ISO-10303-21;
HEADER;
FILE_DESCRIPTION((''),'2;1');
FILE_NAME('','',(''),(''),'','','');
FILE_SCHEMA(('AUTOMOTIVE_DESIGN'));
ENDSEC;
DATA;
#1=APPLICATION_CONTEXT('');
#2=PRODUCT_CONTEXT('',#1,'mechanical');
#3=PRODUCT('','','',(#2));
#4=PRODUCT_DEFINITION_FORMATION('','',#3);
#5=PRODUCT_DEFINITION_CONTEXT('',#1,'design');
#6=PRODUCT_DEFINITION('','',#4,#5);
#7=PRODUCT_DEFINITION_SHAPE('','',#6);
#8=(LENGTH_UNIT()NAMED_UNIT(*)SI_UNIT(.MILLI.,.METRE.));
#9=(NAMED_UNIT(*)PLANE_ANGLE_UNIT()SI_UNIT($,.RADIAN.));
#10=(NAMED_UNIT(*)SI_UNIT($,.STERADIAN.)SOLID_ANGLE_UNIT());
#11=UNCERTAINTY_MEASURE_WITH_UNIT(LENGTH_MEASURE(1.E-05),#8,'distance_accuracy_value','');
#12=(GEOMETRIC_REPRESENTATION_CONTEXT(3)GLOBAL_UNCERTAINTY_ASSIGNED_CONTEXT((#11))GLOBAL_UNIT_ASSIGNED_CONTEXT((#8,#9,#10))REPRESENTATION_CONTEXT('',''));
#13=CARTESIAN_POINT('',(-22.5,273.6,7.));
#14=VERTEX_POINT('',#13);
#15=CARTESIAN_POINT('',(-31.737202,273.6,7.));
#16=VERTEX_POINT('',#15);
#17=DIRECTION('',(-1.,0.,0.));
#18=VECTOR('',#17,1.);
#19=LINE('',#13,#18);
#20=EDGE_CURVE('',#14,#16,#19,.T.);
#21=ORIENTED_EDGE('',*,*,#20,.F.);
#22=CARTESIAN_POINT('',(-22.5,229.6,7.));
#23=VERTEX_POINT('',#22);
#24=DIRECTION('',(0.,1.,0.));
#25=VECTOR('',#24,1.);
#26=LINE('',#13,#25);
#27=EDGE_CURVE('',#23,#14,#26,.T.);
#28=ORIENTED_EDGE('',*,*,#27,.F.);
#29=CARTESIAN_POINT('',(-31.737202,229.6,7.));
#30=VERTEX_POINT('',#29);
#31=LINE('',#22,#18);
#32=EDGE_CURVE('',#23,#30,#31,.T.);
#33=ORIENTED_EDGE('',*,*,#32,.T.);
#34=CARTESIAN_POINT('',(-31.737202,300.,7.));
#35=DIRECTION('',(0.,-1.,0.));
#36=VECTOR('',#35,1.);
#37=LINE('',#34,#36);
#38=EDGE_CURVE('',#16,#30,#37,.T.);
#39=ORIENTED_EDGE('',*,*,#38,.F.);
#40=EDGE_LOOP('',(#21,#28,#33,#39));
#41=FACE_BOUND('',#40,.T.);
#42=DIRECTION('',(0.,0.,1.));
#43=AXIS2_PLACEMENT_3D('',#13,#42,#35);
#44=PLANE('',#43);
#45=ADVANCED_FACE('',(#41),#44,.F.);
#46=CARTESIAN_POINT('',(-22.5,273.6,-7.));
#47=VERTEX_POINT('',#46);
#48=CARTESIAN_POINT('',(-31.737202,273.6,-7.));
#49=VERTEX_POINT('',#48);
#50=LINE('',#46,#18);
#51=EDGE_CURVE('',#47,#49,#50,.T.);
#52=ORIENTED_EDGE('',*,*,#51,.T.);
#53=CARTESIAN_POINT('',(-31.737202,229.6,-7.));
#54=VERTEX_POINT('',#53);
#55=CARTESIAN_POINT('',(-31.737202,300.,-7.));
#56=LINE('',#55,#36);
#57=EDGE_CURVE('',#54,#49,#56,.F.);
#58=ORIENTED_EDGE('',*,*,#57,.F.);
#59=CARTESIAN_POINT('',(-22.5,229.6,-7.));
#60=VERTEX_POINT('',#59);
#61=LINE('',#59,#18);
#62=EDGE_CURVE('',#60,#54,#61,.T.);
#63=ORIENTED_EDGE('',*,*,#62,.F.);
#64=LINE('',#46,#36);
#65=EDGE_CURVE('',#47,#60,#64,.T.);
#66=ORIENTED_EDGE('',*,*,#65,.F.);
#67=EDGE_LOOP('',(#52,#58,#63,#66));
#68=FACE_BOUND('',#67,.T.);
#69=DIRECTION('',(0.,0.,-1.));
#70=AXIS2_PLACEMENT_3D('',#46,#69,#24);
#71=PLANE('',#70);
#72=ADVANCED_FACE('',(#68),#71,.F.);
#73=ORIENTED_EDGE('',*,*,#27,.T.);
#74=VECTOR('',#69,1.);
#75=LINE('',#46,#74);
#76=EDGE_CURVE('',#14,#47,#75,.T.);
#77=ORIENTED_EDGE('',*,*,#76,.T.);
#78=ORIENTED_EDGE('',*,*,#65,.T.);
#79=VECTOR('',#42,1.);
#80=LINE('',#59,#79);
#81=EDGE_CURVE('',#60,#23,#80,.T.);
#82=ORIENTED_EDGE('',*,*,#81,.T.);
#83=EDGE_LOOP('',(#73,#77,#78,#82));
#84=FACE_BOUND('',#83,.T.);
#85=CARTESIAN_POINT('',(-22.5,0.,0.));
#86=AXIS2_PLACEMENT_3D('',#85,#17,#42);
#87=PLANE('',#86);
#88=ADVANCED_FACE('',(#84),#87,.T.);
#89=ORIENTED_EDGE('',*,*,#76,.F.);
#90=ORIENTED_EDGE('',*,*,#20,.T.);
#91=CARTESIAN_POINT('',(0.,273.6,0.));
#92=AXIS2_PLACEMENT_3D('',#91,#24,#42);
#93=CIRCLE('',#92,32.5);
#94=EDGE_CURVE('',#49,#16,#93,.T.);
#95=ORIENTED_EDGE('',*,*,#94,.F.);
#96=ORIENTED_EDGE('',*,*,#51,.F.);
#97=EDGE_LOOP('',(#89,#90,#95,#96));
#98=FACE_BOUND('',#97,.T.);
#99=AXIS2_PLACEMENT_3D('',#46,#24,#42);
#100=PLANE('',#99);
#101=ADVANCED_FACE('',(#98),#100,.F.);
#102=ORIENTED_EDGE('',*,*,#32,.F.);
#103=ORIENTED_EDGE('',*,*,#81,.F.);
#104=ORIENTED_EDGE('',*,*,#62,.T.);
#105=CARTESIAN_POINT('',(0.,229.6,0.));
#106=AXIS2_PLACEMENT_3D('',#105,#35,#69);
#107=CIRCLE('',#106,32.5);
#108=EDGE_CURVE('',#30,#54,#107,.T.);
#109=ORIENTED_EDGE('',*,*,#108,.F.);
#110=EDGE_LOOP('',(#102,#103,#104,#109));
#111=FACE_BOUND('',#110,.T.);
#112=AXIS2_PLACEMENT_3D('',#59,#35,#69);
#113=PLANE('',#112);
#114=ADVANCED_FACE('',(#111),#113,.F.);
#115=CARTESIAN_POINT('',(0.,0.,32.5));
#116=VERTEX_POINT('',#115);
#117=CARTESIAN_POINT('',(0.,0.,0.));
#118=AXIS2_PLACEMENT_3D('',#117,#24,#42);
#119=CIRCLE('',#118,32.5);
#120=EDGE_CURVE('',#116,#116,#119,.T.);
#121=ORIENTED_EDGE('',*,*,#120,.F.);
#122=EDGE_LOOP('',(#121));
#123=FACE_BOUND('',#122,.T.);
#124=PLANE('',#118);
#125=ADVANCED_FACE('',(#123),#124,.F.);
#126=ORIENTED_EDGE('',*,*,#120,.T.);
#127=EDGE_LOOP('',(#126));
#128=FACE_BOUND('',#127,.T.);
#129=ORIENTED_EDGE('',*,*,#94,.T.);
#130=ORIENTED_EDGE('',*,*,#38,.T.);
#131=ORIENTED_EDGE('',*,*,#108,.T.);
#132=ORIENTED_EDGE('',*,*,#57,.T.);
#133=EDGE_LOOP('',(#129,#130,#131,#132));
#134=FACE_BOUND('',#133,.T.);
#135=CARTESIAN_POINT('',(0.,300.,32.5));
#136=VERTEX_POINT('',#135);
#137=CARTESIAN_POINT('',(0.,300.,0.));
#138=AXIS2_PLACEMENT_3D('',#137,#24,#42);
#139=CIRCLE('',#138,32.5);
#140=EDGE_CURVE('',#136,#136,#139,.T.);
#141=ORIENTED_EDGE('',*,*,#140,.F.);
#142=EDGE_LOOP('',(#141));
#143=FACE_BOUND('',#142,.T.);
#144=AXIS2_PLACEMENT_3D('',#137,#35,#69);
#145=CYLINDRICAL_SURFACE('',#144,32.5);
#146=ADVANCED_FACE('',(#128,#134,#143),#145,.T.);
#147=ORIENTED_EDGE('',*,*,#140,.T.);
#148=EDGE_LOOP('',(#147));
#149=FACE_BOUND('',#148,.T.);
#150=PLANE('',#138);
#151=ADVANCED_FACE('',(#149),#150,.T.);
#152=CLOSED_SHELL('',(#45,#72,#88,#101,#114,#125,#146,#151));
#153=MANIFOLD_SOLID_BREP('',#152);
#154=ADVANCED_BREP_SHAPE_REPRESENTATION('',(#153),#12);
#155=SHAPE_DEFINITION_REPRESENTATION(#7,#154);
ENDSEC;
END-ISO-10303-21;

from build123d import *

# Parameters (mm, degrees)
SKETCH1_R           = 32.5
BOSS_EXTRUDE1_DEPTH = 300
SKETCH2_W           = 14
SKETCH2_H           = 44
CUT_EXTRUDE1_DEPTH  = 10


with BuildPart() as part:
    # Sketch1 → Boss-Extrude1 (new body)
    with BuildSketch(Plane(origin=(0, 0, 0), x_dir=(1, 0, 0), z_dir=(0, 1, 0))):
        Circle(SKETCH1_R)
    extrude(amount=BOSS_EXTRUDE1_DEPTH)

    # Sketch2 → Cut-Extrude1 (cut)
    with BuildSketch(Plane.ZY.offset(32.5)):
        with Locations((0, 251.6)):
            Rectangle(SKETCH2_W, SKETCH2_H)
    extrude(amount=-CUT_EXTRUDE1_DEPTH, mode=Mode.SUBTRACT)


solid = part.part
